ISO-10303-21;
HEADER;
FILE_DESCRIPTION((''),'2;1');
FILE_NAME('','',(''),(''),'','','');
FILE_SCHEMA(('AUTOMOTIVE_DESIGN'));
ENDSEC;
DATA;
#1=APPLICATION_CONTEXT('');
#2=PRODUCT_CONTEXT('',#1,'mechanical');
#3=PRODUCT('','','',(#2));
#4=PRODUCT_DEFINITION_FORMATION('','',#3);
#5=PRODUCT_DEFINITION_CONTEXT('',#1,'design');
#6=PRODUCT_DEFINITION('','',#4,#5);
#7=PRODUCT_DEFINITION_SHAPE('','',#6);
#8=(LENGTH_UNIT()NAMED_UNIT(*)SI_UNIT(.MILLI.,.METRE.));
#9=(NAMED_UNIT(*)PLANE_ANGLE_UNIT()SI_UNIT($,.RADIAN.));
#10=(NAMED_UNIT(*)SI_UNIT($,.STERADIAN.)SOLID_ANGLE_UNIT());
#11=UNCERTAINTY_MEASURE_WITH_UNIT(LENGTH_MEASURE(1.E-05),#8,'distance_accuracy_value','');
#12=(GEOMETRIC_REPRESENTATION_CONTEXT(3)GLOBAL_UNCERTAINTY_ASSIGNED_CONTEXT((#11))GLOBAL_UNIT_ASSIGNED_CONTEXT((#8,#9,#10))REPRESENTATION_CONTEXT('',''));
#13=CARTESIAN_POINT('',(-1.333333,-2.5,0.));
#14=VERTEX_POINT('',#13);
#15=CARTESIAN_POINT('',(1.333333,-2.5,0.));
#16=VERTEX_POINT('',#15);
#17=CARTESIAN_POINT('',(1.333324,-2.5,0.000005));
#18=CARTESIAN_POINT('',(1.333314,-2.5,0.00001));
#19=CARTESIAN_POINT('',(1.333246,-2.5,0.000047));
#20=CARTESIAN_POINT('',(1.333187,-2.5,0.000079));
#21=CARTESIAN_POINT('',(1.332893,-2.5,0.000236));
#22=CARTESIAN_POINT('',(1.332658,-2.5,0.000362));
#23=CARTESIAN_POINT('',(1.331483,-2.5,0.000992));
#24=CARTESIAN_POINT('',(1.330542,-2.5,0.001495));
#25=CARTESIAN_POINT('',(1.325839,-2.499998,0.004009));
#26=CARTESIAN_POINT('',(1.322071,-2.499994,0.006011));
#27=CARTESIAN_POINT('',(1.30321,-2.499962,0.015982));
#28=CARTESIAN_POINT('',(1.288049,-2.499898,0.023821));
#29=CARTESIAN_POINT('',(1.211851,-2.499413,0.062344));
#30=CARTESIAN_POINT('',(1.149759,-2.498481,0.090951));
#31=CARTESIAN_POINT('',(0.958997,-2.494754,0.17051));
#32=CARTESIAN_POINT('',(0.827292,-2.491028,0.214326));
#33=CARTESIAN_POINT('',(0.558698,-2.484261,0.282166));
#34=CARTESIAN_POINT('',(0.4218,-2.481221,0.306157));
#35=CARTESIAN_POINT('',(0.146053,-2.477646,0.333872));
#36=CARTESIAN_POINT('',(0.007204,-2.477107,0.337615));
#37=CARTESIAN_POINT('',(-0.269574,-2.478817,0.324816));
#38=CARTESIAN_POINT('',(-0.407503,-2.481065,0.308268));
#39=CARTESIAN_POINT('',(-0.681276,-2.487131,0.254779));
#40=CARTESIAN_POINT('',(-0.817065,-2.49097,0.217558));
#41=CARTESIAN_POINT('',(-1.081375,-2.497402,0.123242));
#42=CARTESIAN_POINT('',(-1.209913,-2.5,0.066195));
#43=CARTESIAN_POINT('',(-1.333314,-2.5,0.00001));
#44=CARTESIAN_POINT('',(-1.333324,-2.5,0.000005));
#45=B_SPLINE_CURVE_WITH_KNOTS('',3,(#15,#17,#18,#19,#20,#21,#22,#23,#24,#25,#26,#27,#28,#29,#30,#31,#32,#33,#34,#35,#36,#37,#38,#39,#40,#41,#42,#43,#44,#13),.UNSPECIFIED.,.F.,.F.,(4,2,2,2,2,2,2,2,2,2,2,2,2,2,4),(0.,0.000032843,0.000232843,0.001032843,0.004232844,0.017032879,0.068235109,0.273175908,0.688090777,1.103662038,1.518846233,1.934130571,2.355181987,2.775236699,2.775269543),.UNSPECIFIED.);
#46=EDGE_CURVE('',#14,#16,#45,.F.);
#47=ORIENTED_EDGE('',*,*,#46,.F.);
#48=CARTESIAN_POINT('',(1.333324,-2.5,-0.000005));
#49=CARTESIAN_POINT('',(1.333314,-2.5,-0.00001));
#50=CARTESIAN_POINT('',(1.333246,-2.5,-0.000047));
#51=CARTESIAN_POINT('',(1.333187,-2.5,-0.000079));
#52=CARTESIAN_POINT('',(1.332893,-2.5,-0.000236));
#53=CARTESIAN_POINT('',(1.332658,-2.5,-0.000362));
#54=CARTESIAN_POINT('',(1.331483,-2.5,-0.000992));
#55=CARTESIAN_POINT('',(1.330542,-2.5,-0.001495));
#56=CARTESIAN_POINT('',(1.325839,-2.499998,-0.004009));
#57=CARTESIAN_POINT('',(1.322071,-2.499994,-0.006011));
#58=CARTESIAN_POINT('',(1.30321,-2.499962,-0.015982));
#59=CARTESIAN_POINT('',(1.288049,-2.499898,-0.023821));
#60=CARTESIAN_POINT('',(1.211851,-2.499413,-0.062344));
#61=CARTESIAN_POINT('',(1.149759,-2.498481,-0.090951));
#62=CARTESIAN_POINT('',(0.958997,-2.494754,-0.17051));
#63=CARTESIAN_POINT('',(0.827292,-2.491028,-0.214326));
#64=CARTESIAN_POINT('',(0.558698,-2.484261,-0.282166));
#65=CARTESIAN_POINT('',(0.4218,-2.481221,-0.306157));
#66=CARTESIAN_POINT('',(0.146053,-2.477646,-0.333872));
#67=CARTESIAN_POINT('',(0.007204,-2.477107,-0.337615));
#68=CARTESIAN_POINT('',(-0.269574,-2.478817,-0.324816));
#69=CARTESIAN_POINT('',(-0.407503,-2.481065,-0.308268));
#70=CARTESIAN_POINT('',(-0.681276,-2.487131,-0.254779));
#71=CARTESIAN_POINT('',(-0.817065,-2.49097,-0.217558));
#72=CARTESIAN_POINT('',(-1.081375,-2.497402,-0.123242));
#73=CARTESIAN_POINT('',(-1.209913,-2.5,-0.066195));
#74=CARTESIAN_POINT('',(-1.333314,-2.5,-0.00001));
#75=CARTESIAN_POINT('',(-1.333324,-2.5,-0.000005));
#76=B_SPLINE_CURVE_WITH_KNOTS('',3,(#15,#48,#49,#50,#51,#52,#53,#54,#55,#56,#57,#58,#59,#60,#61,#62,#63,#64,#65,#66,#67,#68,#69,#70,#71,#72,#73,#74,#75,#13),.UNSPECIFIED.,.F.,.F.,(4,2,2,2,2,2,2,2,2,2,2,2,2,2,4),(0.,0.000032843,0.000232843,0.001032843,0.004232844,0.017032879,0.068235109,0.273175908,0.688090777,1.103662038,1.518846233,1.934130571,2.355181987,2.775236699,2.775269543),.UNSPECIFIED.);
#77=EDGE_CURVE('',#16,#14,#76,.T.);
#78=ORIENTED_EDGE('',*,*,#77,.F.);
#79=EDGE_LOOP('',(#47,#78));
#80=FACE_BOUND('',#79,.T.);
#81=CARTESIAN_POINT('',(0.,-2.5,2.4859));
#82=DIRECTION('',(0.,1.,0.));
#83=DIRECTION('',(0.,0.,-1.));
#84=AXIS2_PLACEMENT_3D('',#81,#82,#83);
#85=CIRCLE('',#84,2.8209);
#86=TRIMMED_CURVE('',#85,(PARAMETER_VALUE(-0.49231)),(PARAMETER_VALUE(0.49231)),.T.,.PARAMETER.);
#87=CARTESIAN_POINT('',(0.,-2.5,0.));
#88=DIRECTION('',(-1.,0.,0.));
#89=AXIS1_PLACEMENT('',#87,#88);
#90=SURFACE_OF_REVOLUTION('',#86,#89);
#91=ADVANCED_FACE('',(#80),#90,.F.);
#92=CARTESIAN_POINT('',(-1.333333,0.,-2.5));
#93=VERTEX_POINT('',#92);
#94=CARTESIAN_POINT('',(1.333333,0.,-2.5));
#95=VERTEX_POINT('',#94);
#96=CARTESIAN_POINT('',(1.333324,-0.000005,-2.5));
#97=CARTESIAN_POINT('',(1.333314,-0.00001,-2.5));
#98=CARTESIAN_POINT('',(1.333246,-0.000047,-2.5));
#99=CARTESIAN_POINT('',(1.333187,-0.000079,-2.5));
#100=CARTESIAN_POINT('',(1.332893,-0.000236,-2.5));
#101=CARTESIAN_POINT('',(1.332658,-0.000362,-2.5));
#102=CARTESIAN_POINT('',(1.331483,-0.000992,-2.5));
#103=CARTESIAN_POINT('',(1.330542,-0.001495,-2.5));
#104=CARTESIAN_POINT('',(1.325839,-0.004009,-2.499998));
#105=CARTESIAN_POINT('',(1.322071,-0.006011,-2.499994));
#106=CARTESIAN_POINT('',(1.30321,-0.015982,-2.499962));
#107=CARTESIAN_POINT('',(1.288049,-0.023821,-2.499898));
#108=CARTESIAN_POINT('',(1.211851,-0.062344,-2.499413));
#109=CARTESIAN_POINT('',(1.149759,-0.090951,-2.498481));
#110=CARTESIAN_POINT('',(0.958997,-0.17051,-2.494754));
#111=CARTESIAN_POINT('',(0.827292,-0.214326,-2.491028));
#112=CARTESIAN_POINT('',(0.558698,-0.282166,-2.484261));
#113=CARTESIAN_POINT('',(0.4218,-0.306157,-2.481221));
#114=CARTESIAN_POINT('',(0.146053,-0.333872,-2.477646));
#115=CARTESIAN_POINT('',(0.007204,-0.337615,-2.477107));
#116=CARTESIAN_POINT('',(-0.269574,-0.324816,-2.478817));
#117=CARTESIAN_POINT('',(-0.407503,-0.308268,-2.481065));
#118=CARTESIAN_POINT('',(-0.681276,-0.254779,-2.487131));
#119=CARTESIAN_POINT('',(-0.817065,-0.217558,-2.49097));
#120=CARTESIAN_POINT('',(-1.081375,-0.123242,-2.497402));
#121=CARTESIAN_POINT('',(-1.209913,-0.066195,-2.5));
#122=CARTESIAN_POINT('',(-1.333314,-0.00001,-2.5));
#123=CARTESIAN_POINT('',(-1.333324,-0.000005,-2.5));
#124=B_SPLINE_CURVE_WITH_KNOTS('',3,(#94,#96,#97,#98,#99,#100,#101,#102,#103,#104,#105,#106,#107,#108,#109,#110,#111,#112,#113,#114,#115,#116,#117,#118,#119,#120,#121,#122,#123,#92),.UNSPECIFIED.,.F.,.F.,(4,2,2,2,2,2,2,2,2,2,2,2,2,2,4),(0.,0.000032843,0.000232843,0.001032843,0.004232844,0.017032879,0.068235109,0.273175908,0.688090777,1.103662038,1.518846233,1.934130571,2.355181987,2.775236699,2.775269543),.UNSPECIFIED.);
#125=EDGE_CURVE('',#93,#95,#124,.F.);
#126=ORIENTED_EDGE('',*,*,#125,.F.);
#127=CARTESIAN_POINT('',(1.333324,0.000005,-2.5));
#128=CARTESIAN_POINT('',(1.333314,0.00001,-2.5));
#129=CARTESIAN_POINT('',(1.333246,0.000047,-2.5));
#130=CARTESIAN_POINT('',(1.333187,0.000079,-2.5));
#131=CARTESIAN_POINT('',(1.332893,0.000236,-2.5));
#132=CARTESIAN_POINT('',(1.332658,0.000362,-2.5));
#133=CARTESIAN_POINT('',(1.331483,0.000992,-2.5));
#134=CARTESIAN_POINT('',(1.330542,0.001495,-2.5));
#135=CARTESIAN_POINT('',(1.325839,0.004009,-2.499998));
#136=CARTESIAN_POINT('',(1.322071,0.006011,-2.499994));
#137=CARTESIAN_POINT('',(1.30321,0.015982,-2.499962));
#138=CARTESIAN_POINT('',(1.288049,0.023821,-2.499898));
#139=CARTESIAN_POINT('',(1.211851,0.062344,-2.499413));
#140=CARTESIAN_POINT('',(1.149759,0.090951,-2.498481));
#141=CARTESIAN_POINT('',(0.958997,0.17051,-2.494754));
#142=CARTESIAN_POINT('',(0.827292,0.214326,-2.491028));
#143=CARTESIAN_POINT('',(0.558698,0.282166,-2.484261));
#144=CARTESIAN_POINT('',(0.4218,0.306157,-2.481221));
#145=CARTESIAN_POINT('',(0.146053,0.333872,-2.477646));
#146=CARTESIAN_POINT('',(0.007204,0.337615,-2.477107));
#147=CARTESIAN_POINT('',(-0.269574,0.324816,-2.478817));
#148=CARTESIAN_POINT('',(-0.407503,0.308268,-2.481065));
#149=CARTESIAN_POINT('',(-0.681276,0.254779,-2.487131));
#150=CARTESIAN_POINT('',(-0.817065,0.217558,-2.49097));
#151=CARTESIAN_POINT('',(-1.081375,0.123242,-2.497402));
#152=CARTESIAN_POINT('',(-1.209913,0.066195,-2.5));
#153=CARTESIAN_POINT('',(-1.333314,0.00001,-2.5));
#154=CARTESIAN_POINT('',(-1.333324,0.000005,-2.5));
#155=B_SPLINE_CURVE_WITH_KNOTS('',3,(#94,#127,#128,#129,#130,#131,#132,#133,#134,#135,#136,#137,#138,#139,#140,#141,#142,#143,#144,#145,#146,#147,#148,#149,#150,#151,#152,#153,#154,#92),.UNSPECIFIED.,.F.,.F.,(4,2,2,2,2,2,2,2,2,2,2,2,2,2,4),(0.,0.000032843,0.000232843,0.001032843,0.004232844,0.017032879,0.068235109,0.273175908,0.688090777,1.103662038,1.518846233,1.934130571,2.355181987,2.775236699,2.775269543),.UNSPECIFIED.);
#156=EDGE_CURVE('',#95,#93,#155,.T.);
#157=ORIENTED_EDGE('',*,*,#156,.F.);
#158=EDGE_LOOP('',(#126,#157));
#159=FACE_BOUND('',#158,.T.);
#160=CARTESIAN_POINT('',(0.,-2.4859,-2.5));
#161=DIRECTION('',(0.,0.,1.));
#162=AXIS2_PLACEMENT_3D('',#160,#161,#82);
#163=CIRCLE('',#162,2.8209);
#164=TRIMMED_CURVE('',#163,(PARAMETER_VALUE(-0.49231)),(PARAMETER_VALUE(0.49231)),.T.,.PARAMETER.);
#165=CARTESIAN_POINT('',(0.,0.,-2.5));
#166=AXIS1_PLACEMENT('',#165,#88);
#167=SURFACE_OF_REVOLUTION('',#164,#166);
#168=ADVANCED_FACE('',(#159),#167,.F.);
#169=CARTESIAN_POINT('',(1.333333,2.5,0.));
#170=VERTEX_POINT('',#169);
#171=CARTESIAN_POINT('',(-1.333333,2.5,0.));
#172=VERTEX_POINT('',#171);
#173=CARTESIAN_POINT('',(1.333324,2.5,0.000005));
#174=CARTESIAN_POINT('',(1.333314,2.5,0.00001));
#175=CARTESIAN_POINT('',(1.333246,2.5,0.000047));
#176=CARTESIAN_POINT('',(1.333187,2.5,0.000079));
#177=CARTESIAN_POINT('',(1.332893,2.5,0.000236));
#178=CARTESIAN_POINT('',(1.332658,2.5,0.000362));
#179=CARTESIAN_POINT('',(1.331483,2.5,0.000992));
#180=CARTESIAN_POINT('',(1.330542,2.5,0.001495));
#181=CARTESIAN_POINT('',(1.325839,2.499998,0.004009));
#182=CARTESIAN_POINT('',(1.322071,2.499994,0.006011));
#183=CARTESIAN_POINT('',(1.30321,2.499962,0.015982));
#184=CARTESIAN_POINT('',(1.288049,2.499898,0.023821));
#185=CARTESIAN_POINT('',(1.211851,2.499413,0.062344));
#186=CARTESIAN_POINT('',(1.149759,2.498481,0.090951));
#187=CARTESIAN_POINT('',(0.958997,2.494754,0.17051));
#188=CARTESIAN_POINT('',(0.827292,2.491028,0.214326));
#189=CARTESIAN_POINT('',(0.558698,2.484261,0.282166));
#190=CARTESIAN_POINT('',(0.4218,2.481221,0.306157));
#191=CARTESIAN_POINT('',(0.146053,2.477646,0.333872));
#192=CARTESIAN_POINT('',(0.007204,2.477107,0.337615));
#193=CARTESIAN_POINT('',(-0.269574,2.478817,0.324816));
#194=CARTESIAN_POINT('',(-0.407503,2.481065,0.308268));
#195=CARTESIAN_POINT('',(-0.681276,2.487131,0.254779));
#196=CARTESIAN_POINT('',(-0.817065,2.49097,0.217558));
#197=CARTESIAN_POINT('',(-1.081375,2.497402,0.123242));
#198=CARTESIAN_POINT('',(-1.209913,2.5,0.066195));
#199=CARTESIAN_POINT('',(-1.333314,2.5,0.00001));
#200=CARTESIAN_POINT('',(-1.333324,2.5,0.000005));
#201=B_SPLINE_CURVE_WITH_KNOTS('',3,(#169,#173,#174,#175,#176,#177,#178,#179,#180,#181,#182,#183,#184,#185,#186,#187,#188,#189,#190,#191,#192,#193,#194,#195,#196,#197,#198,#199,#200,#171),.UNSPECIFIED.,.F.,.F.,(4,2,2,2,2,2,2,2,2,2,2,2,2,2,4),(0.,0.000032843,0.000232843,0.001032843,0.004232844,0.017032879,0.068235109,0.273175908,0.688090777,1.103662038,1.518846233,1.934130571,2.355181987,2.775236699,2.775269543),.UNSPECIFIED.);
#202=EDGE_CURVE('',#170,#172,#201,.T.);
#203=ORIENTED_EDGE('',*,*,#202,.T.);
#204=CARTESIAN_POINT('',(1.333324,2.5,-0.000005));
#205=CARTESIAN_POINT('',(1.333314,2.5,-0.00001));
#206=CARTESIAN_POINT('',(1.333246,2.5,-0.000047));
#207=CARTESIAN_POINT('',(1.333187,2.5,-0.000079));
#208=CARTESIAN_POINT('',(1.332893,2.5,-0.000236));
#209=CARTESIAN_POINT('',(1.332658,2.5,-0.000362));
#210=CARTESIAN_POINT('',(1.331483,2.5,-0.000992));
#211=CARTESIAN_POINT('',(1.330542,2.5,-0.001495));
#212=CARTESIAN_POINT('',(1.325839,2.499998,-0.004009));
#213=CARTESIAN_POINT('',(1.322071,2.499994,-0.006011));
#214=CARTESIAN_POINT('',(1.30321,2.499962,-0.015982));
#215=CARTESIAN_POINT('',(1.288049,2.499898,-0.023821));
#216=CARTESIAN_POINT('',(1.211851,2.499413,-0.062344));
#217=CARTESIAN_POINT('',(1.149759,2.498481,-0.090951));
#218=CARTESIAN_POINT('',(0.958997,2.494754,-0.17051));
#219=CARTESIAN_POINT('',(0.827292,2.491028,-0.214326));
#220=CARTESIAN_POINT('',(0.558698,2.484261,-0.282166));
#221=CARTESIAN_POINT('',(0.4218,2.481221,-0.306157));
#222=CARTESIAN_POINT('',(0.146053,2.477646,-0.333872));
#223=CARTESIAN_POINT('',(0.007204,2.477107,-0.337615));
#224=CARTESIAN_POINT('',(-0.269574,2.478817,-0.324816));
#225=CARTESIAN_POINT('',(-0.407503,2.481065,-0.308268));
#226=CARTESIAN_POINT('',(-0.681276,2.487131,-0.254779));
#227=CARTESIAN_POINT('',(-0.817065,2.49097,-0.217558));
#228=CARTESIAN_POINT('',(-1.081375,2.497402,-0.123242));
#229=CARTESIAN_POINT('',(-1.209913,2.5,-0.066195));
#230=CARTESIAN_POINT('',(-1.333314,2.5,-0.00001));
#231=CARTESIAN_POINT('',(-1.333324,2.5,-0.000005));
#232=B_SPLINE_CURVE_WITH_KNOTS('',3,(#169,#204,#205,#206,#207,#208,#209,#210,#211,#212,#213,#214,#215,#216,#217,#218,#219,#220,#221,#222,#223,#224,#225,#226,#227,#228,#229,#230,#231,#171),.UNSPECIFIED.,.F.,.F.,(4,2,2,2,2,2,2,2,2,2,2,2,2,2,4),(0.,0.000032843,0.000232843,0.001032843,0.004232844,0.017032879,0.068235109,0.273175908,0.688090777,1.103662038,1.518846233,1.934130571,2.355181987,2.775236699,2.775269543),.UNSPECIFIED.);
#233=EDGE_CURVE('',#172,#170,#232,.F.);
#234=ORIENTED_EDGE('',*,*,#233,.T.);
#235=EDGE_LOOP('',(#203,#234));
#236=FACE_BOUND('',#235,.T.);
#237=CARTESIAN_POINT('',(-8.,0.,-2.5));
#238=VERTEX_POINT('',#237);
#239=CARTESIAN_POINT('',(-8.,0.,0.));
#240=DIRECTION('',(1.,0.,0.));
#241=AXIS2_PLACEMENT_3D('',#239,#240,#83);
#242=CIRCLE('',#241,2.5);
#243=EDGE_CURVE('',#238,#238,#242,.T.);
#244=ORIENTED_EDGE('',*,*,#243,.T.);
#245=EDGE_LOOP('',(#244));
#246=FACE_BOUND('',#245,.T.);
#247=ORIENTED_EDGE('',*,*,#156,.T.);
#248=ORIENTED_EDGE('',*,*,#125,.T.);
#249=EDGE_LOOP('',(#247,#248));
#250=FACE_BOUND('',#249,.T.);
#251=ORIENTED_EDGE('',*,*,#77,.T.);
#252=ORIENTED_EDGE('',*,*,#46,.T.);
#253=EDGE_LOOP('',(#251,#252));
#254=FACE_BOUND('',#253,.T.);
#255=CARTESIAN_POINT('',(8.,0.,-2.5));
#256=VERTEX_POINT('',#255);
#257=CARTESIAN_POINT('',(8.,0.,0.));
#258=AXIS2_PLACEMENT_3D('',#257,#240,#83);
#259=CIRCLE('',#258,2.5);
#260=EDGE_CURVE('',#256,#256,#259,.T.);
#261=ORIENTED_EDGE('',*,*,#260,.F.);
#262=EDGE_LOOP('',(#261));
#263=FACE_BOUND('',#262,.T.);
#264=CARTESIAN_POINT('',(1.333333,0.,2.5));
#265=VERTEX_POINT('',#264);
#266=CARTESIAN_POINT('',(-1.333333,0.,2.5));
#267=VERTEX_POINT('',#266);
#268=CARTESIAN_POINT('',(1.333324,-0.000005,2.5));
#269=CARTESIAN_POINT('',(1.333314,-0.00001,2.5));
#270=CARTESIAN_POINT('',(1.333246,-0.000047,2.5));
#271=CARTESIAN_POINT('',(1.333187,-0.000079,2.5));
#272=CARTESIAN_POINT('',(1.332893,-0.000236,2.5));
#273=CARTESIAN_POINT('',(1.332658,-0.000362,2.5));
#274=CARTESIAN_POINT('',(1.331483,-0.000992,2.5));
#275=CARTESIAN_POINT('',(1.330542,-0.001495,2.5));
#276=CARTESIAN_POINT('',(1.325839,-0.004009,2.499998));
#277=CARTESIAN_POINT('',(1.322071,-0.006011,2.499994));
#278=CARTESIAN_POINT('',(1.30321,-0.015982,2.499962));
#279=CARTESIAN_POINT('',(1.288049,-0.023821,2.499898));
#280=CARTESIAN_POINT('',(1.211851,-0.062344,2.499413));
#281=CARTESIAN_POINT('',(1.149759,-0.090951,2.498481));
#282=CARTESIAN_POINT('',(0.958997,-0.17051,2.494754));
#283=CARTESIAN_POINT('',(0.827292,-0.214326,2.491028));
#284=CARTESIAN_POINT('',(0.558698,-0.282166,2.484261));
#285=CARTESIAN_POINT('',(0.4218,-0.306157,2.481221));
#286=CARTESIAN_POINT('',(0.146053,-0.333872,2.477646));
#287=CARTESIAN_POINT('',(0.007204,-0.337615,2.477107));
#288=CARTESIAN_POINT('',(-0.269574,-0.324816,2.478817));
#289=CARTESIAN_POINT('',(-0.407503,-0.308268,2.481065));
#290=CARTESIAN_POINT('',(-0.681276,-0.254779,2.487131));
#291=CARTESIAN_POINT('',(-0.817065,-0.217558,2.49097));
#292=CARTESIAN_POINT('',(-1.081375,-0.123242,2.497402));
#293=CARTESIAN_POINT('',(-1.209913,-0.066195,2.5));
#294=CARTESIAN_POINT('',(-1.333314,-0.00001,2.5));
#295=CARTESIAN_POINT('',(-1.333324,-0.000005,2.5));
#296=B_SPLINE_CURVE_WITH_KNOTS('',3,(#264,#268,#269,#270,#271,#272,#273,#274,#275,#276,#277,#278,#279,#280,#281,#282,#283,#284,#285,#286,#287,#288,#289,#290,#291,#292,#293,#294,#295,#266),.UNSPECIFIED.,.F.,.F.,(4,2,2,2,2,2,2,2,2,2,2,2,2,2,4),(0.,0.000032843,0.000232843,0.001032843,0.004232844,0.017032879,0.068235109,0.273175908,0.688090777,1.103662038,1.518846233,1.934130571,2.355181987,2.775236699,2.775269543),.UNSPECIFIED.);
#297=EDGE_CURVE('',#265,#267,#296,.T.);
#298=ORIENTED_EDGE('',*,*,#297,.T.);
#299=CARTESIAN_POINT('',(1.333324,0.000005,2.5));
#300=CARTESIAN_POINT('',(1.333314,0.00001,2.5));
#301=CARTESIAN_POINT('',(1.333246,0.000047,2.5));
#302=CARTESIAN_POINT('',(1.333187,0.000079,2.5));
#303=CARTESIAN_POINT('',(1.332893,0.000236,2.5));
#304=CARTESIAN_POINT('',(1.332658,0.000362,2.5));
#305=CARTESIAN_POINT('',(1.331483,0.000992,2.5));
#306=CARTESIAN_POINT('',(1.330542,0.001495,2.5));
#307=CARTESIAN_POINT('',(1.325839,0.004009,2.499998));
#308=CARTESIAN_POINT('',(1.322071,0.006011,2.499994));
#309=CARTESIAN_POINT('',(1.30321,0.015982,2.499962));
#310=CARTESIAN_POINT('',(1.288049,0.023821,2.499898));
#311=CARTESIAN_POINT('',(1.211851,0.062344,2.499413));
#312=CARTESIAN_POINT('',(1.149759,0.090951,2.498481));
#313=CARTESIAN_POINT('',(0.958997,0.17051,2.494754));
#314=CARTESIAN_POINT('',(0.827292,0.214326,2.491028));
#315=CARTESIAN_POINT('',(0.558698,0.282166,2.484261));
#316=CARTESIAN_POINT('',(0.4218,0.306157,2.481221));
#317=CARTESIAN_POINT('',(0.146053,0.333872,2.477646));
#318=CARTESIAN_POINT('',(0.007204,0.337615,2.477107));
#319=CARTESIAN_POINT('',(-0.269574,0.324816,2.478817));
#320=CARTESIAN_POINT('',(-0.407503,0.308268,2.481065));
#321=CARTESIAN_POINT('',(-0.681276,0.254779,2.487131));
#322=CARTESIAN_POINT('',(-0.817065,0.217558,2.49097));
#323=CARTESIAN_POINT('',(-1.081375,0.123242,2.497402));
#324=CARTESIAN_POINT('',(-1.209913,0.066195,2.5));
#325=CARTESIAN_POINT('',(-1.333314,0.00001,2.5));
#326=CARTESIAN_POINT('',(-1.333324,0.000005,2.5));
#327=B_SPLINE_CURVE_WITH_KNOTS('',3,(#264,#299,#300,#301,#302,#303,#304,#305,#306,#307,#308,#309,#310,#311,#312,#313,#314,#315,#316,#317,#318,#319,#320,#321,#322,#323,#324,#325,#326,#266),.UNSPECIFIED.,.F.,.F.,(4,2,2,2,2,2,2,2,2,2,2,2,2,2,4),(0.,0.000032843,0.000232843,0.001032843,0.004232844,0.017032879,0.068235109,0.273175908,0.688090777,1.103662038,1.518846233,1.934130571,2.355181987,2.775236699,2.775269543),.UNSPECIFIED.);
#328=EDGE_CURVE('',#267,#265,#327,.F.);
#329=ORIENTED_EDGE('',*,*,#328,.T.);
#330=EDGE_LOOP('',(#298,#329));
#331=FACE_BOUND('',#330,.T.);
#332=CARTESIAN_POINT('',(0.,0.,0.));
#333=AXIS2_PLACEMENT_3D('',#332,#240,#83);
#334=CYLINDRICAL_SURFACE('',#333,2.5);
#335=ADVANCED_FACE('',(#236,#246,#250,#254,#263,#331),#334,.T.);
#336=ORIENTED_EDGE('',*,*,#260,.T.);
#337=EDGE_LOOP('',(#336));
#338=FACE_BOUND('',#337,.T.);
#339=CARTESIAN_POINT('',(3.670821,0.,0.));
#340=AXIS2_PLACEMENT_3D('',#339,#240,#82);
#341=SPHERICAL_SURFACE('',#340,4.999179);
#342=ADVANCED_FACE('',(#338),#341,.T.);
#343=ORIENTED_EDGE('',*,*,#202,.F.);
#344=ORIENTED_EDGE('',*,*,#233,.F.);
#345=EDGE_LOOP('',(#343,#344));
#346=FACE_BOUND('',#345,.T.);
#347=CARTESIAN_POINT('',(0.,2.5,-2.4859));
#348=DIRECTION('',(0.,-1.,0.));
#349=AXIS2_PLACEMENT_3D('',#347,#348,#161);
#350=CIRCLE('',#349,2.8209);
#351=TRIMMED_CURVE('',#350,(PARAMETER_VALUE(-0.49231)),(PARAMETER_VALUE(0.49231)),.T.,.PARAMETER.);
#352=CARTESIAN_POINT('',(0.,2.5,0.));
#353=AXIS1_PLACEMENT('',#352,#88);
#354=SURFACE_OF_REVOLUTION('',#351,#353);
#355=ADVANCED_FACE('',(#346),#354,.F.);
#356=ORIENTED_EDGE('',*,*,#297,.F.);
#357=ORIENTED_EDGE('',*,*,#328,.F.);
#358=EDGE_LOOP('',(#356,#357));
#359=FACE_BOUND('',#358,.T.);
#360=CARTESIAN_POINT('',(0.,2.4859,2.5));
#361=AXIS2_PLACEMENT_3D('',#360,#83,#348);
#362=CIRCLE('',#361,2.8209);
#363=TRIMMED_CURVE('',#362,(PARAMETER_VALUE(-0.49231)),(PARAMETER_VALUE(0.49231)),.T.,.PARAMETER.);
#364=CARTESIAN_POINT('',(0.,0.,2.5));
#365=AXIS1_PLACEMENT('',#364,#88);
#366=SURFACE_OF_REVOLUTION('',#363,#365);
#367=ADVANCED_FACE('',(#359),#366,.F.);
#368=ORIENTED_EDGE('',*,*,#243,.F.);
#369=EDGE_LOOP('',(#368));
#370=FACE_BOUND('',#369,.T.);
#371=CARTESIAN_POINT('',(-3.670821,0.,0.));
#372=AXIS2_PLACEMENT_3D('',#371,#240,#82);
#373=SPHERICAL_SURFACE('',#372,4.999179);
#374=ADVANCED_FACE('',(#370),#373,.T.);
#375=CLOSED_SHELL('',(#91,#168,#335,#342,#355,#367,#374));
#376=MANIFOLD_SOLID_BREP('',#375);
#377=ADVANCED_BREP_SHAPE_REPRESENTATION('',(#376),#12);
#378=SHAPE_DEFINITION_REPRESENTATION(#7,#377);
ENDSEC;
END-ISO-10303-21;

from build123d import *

# Parameters (mm, degrees)
R_P_TITION_CIRCULAIRE1_COUNT = 4


with BuildPart() as part:
    # Esquisse1 → Base-Révolution (revolve)
    with BuildSketch(Plane.XY):
        with BuildLine():
            Line((-8, 2.5), (8, 2.5))
            ThreePointArc((8, 2.5), (8.499595763, 1.294111664), (8.67, 0))
            Line((8.67, 0), (-8.67, 0))
            ThreePointArc((-8.67, 0), (-8.499595763, 1.294111664), (-8, 2.5))
        make_face()
    revolve(axis=Axis((0, 0, 0), (-1, 0, 0)))

    # Esquisse2 → Enlever de la matière-Révolution1 (revolve, cut)
    with BuildSketch(Plane(origin=(0, 2.5, 0), x_dir=(-1, 0, 0), z_dir=(0, 1, 0))):
        with BuildLine():
            Line((1.333333333, 0), (-1.333333333, 0))
            ThreePointArc((-1.333333333, 0), (-0.687386859, 0.249968429), (0, 0.335))
            ThreePointArc((0, 0.335), (0.687386859, 0.249968429), (1.333333333, 0))
        make_face()
    enlever_de_la_mati_re_r_volution1 = revolve(axis=Axis((0, 2.5, 0), (1, 0, 0)), mode=Mode.SUBTRACT)

    # Répétition circulaire1: Enlever de la matière-Révolution1 ×4 about axis
    r_p_tition_circulaire1_axis = Axis((50, 0, 0), (-1, 0, 0))
    for i in range(1, R_P_TITION_CIRCULAIRE1_COUNT):
        add(enlever_de_la_mati_re_r_volution1.rotate(r_p_tition_circulaire1_axis, i * 360 / R_P_TITION_CIRCULAIRE1_COUNT), mode=Mode.SUBTRACT)


solid = part.part
